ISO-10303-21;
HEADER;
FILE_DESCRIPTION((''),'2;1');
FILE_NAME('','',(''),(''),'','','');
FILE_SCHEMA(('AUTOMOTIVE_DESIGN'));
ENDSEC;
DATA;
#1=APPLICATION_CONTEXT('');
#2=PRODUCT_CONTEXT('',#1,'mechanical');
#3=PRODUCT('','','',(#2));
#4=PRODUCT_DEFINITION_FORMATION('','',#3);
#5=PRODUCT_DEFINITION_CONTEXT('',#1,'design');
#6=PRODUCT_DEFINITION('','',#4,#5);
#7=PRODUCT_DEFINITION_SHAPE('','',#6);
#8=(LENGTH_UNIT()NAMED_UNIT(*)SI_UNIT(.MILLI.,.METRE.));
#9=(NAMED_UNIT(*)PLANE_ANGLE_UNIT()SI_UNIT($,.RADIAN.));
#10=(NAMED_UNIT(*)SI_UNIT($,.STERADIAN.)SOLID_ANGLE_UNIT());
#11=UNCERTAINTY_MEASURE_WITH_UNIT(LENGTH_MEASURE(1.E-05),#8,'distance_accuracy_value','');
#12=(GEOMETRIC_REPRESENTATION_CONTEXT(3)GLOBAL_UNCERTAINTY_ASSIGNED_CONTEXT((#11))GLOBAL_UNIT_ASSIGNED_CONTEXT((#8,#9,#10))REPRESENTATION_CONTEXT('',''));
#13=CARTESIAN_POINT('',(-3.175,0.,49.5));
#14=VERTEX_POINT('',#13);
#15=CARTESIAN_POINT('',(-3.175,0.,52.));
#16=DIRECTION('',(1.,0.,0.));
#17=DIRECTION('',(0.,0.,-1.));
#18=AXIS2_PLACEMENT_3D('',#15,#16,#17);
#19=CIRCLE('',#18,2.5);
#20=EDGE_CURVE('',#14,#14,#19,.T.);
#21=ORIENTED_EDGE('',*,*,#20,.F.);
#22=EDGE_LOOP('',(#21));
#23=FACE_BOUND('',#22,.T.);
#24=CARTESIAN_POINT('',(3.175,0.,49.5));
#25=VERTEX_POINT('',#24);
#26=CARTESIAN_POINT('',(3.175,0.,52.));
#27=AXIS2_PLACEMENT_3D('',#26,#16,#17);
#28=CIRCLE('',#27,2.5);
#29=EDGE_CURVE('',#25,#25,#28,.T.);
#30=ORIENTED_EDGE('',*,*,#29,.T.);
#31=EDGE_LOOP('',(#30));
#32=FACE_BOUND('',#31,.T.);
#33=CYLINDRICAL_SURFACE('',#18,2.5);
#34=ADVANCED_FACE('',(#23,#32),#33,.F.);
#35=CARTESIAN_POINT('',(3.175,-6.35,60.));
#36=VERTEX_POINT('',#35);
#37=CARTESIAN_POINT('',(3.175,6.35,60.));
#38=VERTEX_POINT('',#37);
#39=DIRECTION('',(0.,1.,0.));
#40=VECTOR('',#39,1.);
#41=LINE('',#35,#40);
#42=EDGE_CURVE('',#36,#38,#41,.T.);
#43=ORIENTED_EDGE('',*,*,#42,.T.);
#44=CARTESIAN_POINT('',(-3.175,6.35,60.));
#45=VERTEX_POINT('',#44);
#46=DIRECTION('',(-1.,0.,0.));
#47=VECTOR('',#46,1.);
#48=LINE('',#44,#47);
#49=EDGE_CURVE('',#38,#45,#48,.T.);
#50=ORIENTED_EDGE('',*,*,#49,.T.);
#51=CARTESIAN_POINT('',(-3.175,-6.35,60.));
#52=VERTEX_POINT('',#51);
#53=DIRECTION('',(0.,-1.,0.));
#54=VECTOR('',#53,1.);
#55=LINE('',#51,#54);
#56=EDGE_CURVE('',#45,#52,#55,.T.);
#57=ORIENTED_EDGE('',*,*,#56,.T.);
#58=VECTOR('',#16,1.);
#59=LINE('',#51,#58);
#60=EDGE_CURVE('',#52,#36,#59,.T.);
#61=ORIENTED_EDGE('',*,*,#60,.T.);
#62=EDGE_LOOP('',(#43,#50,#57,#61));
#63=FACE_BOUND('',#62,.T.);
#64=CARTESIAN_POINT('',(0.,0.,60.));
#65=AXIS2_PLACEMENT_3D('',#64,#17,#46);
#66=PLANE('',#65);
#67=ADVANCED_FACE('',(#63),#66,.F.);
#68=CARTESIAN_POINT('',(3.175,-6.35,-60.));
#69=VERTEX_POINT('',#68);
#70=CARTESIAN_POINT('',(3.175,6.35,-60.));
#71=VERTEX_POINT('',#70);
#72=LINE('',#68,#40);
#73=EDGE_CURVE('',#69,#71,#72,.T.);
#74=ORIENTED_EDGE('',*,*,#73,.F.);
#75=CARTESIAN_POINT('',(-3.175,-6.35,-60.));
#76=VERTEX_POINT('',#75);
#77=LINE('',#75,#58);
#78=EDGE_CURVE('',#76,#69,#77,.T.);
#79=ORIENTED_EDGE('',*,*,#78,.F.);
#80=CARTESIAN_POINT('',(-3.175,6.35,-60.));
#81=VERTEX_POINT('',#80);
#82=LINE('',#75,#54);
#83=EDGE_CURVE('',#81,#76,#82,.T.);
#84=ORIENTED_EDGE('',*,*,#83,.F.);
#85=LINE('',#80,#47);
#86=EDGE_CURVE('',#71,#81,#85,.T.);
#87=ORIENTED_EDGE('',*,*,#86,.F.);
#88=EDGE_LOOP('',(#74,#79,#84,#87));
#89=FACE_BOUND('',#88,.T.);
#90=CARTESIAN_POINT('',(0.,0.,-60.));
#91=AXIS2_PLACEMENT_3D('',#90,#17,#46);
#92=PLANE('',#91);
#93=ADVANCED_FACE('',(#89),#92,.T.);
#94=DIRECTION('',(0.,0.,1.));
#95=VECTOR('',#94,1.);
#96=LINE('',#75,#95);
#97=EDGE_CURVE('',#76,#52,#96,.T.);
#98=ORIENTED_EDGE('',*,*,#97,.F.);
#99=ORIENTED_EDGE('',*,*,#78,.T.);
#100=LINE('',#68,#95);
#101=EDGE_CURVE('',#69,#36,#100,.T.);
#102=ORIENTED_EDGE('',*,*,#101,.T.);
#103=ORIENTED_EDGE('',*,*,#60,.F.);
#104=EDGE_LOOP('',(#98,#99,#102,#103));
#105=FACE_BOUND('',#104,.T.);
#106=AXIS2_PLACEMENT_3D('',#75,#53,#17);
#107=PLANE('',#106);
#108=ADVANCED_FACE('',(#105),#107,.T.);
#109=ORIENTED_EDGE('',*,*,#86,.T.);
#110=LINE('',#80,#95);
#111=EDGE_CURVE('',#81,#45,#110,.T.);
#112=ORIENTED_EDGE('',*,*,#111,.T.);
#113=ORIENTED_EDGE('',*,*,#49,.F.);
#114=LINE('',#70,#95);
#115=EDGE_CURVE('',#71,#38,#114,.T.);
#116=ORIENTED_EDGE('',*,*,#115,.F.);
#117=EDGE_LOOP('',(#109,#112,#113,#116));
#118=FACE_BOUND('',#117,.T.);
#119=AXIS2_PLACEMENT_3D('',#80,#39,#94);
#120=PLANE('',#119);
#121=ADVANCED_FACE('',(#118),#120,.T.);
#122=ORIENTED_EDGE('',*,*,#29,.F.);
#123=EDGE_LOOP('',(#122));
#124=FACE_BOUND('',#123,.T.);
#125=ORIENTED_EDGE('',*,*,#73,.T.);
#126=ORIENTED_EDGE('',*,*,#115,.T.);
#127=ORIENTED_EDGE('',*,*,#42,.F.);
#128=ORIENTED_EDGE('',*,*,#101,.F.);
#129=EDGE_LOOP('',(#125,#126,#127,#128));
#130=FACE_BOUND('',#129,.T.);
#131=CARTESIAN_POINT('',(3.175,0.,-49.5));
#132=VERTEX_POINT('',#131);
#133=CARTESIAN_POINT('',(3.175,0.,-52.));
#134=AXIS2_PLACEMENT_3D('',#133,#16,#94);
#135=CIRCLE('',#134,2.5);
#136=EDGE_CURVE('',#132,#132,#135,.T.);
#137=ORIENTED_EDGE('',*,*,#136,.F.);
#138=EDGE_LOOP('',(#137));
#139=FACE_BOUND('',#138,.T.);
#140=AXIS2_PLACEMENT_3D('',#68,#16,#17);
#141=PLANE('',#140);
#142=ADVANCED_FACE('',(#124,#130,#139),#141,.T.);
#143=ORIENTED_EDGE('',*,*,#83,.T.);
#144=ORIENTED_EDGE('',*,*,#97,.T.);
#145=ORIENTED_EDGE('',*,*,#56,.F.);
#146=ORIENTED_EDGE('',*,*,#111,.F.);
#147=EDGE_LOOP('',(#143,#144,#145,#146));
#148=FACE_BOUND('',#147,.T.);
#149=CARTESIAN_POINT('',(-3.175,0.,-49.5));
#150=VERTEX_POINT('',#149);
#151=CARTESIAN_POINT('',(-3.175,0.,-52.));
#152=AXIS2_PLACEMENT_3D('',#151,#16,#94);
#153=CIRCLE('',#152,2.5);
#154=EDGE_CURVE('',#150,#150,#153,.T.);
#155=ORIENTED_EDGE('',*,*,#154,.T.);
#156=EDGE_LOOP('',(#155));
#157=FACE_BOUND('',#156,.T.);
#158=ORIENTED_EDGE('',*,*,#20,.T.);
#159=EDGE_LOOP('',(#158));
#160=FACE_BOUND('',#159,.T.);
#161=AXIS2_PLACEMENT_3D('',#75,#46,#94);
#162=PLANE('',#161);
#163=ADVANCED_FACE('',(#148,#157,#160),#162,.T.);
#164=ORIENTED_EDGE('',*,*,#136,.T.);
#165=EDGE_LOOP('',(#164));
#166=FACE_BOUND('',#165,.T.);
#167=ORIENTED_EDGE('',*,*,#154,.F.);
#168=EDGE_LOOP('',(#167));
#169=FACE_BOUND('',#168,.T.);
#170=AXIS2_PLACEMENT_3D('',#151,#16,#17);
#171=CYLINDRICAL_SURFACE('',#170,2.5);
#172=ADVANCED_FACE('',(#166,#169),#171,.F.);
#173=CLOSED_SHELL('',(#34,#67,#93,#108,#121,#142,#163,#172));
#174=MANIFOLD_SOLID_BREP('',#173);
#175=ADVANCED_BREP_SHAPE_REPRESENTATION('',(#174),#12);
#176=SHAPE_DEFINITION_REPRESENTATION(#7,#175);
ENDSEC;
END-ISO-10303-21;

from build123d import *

# Parameters (mm, degrees)
BOSS_EXTRUDE1_DEPTH      = 60
BOSS_EXTRUDE1_DEPTH_BACK = 60
SKETCH2_W                = 6.35
SKETCH2_H                = 12.7
SKETCH4_R                = 2.5
CUT_EXTRUDE1_DEPTH       = 61.668319575


with BuildPart() as part:
    # Sketch2 → Boss-Extrude1 (new, two sides: drawn at the far end of the back side and taken through both)
    with BuildSketch(Plane.XY.offset(-BOSS_EXTRUDE1_DEPTH_BACK)):
        Rectangle(SKETCH2_W, SKETCH2_H)
    extrude(amount=BOSS_EXTRUDE1_DEPTH + BOSS_EXTRUDE1_DEPTH_BACK)

    # Sketch4 → Cut-Extrude1 (cut, through all)
    with BuildSketch(Plane(origin=(3.175, 0, 0), x_dir=(0, 0, -1), z_dir=(1, 0, 0))):
        with Locations((-52, 0)):
            Circle(SKETCH4_R)
        with Locations((52, 0)):
            Circle(SKETCH4_R)
    extrude(amount=-CUT_EXTRUDE1_DEPTH, mode=Mode.SUBTRACT)


solid = part.part
